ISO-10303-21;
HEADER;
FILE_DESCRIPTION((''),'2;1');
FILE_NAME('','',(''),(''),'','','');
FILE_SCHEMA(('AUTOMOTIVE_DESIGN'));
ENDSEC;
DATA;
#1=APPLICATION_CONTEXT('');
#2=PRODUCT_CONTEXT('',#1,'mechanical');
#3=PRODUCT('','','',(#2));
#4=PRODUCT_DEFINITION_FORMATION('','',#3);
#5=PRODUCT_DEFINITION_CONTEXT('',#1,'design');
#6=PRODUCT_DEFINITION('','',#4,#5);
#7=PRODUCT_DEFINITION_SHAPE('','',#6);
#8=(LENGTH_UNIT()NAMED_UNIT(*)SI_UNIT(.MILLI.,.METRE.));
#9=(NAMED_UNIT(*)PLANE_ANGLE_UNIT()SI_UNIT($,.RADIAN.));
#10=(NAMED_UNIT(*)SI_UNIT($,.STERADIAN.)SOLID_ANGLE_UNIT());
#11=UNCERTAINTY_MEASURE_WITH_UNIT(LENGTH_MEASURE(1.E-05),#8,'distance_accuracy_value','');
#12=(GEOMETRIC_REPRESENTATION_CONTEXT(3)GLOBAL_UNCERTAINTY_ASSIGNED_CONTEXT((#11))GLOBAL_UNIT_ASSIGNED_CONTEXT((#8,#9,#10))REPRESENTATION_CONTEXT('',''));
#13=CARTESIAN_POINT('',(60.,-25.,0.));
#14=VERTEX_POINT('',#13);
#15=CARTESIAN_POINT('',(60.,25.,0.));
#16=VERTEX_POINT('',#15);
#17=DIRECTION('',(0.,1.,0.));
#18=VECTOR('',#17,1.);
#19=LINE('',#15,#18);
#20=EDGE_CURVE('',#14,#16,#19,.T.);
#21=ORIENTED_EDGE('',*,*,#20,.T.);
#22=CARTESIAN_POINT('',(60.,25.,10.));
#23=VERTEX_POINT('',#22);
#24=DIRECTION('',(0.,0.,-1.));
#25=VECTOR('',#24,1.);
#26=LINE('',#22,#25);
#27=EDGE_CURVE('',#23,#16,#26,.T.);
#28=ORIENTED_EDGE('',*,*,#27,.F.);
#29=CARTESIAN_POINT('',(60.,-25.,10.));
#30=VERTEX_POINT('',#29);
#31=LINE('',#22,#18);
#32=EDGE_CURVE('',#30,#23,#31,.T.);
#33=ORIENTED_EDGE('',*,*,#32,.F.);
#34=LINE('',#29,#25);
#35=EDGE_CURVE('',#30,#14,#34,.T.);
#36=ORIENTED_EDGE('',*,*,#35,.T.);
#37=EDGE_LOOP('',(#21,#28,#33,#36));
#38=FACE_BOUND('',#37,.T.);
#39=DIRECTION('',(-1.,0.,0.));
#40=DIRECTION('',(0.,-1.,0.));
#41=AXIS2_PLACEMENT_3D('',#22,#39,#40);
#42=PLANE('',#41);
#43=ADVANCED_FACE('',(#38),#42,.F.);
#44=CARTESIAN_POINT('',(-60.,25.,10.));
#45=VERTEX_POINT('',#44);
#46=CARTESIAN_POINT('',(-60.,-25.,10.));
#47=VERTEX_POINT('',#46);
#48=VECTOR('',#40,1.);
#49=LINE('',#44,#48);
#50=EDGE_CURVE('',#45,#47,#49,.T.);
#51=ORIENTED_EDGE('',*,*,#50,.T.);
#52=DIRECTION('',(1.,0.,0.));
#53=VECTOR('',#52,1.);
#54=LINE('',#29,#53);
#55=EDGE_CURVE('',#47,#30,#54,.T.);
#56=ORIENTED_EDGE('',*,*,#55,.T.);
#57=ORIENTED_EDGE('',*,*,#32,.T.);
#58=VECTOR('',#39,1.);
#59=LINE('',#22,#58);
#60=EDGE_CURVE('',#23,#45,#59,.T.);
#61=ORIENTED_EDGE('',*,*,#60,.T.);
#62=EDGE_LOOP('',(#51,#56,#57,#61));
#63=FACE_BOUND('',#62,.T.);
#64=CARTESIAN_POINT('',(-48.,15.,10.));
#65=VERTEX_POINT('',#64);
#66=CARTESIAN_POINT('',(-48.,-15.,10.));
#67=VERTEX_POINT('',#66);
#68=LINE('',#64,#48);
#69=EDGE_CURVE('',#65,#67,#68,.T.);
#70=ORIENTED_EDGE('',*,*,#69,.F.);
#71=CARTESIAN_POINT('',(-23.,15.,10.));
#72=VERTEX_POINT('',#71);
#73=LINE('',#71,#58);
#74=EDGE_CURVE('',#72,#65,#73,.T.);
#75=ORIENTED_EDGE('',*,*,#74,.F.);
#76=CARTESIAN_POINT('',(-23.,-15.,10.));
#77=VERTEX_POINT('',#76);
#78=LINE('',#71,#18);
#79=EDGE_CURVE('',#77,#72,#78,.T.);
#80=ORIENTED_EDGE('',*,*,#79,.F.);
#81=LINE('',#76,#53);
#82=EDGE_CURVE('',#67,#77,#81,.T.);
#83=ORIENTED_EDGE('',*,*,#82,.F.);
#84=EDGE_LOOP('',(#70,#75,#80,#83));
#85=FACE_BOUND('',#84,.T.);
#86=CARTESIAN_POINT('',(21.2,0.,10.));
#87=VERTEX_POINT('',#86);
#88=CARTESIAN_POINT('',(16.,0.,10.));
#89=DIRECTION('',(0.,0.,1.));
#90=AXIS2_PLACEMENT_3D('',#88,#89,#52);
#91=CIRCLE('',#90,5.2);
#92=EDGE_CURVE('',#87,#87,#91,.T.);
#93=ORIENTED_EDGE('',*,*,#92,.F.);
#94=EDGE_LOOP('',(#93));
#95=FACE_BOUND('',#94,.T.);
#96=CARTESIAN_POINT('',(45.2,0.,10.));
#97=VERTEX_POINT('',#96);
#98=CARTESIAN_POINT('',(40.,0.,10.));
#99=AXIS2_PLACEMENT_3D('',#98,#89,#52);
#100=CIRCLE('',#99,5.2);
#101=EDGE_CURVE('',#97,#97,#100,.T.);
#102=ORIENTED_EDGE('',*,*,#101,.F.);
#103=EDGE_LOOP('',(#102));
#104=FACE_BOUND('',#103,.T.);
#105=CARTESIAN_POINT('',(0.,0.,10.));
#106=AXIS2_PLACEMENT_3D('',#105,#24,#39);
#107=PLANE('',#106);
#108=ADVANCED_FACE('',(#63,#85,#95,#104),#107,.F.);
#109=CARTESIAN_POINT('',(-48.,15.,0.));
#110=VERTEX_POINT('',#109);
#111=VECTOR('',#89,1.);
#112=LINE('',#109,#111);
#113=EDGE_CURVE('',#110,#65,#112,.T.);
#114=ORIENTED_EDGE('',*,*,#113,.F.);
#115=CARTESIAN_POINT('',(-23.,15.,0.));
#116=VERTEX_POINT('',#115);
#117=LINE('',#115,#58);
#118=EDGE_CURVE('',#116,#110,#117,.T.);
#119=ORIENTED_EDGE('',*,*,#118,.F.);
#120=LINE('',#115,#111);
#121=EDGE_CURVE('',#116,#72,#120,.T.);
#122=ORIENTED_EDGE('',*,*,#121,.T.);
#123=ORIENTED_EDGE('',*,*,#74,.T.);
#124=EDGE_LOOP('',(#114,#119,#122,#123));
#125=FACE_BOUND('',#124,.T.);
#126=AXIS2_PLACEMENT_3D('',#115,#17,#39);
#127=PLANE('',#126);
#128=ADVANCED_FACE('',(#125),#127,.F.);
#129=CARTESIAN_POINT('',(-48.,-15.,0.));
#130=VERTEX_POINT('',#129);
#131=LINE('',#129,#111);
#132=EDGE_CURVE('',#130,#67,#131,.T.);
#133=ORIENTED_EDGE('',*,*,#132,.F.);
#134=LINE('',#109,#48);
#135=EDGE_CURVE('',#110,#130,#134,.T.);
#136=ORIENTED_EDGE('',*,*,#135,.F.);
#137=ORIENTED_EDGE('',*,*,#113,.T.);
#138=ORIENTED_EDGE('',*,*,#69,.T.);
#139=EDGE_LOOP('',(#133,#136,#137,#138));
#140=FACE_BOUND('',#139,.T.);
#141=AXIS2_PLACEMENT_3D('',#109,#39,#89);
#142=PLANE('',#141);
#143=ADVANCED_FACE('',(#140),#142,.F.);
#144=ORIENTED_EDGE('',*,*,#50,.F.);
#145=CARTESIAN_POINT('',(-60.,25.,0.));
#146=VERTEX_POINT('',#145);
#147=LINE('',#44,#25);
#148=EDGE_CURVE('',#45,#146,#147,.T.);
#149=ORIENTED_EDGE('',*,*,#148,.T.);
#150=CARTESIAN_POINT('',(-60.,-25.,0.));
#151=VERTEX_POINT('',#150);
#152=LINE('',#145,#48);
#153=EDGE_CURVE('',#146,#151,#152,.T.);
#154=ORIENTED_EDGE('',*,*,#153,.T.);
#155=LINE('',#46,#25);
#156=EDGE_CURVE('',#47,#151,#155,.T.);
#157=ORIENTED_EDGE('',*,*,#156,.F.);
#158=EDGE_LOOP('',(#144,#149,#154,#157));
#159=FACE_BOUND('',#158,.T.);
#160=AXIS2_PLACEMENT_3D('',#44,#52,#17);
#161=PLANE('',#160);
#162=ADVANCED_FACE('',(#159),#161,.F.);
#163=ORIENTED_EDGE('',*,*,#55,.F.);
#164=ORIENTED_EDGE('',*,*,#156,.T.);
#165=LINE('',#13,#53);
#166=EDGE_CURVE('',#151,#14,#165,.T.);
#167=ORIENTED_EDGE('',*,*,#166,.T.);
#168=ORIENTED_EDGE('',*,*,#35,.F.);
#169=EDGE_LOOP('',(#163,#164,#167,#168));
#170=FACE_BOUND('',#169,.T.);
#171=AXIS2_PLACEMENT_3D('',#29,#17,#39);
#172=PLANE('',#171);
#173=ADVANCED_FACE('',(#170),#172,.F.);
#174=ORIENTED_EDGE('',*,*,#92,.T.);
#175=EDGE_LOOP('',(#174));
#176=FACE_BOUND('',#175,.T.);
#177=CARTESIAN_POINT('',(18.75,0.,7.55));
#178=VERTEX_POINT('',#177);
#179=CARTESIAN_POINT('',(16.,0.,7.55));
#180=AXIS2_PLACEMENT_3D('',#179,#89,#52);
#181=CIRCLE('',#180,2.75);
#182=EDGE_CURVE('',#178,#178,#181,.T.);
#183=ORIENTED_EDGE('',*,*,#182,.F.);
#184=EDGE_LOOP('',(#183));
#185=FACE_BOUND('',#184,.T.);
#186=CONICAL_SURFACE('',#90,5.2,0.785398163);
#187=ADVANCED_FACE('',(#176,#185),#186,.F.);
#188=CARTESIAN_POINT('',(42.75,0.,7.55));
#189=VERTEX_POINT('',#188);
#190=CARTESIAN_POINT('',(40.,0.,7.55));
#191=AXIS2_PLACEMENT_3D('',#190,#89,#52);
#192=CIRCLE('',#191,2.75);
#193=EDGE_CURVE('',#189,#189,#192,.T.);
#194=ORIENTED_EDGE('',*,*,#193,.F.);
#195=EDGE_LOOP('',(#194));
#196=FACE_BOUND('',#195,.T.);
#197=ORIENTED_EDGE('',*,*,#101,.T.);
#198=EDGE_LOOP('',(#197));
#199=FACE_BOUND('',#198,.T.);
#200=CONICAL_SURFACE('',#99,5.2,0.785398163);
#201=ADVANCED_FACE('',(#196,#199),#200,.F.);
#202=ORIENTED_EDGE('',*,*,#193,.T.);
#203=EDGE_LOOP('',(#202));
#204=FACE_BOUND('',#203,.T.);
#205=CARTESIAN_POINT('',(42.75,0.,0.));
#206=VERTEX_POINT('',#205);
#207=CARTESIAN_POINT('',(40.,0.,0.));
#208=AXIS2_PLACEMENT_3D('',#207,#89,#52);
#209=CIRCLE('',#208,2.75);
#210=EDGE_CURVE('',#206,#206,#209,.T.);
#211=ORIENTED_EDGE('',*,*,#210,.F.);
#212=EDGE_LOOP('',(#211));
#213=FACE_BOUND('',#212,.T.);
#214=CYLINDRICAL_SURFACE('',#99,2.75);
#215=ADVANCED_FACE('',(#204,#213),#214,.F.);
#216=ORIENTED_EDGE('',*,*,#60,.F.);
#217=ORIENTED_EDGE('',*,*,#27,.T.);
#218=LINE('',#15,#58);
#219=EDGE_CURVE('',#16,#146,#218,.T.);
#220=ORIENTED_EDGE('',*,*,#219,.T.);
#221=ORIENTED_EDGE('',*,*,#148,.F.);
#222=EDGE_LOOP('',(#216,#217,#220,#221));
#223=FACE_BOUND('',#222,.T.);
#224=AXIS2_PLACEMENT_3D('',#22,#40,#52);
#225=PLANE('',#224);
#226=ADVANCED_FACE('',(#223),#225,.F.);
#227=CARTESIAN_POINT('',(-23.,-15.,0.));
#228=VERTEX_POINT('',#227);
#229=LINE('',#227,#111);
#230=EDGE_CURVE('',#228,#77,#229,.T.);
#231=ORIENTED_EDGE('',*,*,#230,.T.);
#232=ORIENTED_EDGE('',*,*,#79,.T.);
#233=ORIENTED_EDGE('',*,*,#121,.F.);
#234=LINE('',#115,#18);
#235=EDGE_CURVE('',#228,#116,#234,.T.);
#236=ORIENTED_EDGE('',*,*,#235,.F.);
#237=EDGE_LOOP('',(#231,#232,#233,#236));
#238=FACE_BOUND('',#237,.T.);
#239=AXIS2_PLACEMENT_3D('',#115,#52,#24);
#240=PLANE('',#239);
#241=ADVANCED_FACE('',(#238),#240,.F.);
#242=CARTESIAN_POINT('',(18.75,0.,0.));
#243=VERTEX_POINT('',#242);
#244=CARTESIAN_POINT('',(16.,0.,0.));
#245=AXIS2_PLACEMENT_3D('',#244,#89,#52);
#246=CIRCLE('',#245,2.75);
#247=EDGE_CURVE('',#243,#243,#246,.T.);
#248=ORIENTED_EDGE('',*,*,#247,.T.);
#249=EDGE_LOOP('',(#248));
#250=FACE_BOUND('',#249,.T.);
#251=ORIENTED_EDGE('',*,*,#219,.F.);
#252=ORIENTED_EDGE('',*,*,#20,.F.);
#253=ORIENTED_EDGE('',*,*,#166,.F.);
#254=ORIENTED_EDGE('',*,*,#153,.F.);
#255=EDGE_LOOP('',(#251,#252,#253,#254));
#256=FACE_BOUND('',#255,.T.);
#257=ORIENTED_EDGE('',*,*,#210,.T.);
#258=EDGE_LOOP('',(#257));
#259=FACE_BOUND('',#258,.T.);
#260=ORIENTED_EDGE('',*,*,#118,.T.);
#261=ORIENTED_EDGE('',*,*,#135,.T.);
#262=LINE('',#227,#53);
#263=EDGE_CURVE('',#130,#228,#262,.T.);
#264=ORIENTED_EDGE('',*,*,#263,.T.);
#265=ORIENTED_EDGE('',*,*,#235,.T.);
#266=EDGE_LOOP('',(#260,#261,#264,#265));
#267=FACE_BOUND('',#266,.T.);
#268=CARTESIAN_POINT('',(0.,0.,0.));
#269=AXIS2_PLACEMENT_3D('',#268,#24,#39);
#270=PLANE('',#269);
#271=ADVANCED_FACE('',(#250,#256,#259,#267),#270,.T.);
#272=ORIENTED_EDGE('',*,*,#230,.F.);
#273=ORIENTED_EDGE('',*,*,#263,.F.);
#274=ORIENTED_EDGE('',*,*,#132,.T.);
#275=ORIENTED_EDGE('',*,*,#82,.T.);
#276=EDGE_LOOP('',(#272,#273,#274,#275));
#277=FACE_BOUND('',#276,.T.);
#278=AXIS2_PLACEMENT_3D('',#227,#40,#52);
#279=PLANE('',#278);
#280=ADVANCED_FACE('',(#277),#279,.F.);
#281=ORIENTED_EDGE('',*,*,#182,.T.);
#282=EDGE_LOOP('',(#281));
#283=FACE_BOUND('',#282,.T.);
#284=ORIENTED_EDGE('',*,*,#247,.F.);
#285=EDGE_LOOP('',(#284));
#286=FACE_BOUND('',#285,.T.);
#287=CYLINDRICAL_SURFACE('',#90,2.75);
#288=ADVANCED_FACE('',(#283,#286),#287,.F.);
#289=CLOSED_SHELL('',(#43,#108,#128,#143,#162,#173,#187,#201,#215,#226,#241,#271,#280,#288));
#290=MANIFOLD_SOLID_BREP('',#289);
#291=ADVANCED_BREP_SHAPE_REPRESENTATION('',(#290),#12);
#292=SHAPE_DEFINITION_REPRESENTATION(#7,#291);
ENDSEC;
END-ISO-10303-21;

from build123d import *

# Parameters (mm, degrees)
ESQUISSE1_W                                         = 120
ESQUISSE1_H                                         = 50
BOSS_EXTRU_1_DEPTH                                  = 10
ESQUISSE2_W                                         = 25
ESQUISSE2_H                                         = 30
ENL_V_MAT_EXTRU_1_DEPTH                             = 10
CSK_FOR_M5_COUNTERSUNK_FLAT_HEAD_SCREW1_D           = 5.5
CSK_FOR_M5_COUNTERSUNK_FLAT_HEAD_SCREW1_CSINK_D     = 10.4
CSK_FOR_M5_COUNTERSUNK_FLAT_HEAD_SCREW1_CSINK_ANGLE = 90


with BuildPart() as part:
    # Esquisse1 → Boss.-Extru.1 (new body)
    with BuildSketch(Plane.XY):
        Rectangle(ESQUISSE1_W, ESQUISSE1_H)
    extrude(amount=BOSS_EXTRU_1_DEPTH)

    # Esquisse2 → Enlèv. mat.-Extru.1 (cut)
    with BuildSketch(Plane.XY.offset(10)):
        with Locations((-35.5, 0)):
            Rectangle(ESQUISSE2_W, ESQUISSE2_H)
    extrude(amount=-ENL_V_MAT_EXTRU_1_DEPTH, mode=Mode.SUBTRACT)

    # CSK for M5 Countersunk Flat Head Screw1 (through all)
    with Locations(Plane.XY.offset(10)):
        with Locations((16, 0), (40, 0)):
            CounterSinkHole(CSK_FOR_M5_COUNTERSUNK_FLAT_HEAD_SCREW1_D / 2, CSK_FOR_M5_COUNTERSUNK_FLAT_HEAD_SCREW1_CSINK_D / 2, counter_sink_angle=CSK_FOR_M5_COUNTERSUNK_FLAT_HEAD_SCREW1_CSINK_ANGLE)


solid = part.part
